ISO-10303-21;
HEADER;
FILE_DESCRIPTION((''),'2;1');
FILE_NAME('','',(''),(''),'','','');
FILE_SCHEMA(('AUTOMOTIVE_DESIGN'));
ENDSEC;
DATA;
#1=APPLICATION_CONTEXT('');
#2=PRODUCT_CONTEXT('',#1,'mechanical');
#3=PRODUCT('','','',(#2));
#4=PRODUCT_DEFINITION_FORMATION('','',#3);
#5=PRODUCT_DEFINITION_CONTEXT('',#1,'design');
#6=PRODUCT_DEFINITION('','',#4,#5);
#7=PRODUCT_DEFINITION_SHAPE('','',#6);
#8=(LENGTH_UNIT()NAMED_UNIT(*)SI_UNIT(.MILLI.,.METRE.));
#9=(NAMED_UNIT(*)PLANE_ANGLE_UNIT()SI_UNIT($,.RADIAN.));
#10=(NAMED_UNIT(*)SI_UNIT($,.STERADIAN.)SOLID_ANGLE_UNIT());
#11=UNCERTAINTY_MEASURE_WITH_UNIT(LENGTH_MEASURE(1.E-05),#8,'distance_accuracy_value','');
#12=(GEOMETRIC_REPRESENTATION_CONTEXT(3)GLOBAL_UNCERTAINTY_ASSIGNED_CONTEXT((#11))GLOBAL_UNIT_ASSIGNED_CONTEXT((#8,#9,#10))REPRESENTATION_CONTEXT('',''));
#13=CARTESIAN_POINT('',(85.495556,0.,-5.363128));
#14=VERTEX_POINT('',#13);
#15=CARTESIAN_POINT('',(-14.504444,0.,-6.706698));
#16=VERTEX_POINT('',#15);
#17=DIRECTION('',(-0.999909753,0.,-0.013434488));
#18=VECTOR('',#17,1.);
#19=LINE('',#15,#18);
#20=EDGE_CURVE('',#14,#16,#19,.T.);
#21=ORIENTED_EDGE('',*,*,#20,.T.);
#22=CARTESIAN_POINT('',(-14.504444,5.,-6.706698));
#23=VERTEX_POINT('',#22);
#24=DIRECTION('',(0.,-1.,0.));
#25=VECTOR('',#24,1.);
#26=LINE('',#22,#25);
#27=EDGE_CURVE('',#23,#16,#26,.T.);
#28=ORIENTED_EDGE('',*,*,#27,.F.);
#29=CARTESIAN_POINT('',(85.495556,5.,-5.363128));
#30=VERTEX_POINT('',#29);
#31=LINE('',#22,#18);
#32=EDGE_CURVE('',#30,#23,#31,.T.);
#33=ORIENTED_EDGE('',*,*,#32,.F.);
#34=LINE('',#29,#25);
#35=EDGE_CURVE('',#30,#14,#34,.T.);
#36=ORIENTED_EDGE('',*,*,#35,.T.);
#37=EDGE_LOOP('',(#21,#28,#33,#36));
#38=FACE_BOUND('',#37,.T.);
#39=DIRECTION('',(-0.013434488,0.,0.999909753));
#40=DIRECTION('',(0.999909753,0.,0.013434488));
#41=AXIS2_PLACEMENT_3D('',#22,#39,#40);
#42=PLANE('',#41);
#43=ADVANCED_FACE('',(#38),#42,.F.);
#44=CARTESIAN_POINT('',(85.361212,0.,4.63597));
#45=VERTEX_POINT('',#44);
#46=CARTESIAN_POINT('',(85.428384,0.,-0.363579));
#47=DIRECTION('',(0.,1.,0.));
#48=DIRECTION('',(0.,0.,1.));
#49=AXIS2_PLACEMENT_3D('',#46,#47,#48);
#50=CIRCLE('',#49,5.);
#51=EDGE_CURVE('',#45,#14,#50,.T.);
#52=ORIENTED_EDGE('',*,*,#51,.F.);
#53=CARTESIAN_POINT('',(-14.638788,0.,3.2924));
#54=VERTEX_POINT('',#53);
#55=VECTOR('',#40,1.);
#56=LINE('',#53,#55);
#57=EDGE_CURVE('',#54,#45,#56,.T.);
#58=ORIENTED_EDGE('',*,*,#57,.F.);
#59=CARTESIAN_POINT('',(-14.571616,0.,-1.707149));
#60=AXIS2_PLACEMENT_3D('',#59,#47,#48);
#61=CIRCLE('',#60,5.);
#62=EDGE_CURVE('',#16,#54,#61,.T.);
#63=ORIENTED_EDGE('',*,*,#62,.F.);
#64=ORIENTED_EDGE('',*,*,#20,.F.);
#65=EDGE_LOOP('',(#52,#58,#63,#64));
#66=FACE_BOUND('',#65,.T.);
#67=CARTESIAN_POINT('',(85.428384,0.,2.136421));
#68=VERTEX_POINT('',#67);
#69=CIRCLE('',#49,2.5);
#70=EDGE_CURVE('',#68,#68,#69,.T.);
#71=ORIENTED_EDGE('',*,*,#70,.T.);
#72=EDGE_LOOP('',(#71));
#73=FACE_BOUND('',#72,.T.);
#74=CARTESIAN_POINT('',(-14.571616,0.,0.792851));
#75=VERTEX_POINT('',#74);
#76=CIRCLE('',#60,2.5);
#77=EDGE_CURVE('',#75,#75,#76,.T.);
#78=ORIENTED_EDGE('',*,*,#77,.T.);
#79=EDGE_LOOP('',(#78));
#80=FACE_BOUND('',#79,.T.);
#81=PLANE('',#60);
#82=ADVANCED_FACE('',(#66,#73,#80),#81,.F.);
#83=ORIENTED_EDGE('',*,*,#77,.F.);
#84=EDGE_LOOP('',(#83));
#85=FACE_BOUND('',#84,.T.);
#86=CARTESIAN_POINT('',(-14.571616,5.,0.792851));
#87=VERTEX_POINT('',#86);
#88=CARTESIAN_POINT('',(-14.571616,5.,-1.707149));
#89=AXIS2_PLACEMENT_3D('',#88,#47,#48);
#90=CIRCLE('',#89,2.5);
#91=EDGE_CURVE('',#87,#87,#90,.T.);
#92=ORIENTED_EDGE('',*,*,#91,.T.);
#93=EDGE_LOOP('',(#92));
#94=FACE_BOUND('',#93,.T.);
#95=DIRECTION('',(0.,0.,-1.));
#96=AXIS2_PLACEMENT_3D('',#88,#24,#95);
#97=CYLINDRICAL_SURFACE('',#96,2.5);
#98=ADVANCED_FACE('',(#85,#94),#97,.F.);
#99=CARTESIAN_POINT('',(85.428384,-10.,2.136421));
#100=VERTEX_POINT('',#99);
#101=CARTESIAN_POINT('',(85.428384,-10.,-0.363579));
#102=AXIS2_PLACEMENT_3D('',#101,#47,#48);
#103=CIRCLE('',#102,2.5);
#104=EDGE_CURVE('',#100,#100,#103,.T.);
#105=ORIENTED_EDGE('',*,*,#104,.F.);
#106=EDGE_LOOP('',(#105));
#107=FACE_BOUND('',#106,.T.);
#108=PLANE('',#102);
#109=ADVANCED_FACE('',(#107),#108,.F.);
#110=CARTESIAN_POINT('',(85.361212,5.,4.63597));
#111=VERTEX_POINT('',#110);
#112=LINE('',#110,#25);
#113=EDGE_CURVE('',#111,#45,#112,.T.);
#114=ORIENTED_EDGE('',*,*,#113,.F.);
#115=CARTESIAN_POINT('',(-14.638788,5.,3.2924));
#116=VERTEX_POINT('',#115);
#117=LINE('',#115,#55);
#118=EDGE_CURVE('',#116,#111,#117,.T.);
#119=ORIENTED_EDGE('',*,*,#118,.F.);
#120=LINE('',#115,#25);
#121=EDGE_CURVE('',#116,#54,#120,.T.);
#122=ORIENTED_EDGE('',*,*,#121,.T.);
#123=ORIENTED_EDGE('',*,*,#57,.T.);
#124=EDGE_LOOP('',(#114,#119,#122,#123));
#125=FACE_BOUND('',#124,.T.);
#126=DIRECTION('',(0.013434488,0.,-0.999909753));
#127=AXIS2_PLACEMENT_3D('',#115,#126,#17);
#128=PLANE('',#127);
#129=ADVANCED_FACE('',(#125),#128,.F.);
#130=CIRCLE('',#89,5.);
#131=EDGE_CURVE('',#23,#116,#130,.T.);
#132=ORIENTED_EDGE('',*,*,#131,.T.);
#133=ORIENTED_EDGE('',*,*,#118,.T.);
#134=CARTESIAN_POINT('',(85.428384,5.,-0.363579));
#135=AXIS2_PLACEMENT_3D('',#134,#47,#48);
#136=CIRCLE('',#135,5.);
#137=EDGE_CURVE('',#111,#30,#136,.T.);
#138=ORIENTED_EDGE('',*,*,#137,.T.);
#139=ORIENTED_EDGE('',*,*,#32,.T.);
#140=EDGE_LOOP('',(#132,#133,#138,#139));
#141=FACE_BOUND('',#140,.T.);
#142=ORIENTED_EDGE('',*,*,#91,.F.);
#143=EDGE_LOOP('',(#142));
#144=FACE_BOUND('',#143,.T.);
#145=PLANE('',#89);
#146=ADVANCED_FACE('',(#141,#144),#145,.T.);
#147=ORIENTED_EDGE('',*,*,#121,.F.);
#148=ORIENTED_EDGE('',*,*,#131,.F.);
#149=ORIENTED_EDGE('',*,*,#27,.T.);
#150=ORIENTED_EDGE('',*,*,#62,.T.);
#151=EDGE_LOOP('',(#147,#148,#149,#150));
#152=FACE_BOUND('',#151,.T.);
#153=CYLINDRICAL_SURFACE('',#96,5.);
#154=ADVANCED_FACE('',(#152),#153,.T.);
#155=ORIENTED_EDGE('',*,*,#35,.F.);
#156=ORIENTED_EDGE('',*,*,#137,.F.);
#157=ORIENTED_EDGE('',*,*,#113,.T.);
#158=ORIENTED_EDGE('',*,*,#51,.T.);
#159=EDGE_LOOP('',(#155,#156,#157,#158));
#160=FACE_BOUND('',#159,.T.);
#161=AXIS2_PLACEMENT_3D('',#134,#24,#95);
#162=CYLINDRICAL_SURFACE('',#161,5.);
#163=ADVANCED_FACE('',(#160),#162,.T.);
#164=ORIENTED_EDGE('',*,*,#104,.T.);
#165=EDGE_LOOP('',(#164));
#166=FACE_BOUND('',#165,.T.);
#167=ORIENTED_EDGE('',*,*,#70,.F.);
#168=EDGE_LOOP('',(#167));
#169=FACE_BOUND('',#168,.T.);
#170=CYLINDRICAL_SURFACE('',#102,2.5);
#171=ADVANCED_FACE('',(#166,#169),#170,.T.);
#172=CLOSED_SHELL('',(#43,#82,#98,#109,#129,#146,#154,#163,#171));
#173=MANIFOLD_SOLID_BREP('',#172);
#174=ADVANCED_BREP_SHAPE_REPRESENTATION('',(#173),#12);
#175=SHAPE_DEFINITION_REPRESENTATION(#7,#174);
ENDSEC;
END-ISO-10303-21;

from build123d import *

# Parameters (mm, degrees)
SKETCH1_R           = 2.5
BOSS_EXTRUDE1_DEPTH = 5
SKETCH2_R           = 2.5
BOSS_EXTRUDE2_DEPTH = 15


with BuildPart() as part:
    # Sketch1 → Boss-Extrude1 (new body)
    with BuildSketch(Plane(origin=(0, 0, 0), x_dir=(1, 0, 0), z_dir=(0, 1, 0))):
        with BuildLine():
            Line((-14.504443595, 6.706697569), (85.495556405, 5.363127511))
            ThreePointArc((85.495556405, 5.363127511), (90.42793273, 0.296406305), (85.361211524, -4.635970021))
            Line((85.361211524, -4.635970021), (-14.638788476, -3.292399963))
            ThreePointArc((-14.638788476, -3.292399963), (-19.571164802, 1.774321243), (-14.504443595, 6.706697569))
        make_face()
        with Locations(Location((-14.571616036, 1.707148803, 0), (0, 0, 270))):
            Circle(SKETCH1_R, mode=Mode.SUBTRACT)
    extrude(amount=BOSS_EXTRUDE1_DEPTH)

    # Sketch2 → Boss-Extrude2 (add)
    with BuildSketch(Plane(origin=(0, 5, 0), x_dir=(1, 0, 0), z_dir=(0, 1, 0))):
        with Locations(Location((85.428383964, 0.363578745, 0), (0, 0, 270))):
            Circle(SKETCH2_R)
    extrude(amount=-BOSS_EXTRUDE2_DEPTH)


solid = part.part
